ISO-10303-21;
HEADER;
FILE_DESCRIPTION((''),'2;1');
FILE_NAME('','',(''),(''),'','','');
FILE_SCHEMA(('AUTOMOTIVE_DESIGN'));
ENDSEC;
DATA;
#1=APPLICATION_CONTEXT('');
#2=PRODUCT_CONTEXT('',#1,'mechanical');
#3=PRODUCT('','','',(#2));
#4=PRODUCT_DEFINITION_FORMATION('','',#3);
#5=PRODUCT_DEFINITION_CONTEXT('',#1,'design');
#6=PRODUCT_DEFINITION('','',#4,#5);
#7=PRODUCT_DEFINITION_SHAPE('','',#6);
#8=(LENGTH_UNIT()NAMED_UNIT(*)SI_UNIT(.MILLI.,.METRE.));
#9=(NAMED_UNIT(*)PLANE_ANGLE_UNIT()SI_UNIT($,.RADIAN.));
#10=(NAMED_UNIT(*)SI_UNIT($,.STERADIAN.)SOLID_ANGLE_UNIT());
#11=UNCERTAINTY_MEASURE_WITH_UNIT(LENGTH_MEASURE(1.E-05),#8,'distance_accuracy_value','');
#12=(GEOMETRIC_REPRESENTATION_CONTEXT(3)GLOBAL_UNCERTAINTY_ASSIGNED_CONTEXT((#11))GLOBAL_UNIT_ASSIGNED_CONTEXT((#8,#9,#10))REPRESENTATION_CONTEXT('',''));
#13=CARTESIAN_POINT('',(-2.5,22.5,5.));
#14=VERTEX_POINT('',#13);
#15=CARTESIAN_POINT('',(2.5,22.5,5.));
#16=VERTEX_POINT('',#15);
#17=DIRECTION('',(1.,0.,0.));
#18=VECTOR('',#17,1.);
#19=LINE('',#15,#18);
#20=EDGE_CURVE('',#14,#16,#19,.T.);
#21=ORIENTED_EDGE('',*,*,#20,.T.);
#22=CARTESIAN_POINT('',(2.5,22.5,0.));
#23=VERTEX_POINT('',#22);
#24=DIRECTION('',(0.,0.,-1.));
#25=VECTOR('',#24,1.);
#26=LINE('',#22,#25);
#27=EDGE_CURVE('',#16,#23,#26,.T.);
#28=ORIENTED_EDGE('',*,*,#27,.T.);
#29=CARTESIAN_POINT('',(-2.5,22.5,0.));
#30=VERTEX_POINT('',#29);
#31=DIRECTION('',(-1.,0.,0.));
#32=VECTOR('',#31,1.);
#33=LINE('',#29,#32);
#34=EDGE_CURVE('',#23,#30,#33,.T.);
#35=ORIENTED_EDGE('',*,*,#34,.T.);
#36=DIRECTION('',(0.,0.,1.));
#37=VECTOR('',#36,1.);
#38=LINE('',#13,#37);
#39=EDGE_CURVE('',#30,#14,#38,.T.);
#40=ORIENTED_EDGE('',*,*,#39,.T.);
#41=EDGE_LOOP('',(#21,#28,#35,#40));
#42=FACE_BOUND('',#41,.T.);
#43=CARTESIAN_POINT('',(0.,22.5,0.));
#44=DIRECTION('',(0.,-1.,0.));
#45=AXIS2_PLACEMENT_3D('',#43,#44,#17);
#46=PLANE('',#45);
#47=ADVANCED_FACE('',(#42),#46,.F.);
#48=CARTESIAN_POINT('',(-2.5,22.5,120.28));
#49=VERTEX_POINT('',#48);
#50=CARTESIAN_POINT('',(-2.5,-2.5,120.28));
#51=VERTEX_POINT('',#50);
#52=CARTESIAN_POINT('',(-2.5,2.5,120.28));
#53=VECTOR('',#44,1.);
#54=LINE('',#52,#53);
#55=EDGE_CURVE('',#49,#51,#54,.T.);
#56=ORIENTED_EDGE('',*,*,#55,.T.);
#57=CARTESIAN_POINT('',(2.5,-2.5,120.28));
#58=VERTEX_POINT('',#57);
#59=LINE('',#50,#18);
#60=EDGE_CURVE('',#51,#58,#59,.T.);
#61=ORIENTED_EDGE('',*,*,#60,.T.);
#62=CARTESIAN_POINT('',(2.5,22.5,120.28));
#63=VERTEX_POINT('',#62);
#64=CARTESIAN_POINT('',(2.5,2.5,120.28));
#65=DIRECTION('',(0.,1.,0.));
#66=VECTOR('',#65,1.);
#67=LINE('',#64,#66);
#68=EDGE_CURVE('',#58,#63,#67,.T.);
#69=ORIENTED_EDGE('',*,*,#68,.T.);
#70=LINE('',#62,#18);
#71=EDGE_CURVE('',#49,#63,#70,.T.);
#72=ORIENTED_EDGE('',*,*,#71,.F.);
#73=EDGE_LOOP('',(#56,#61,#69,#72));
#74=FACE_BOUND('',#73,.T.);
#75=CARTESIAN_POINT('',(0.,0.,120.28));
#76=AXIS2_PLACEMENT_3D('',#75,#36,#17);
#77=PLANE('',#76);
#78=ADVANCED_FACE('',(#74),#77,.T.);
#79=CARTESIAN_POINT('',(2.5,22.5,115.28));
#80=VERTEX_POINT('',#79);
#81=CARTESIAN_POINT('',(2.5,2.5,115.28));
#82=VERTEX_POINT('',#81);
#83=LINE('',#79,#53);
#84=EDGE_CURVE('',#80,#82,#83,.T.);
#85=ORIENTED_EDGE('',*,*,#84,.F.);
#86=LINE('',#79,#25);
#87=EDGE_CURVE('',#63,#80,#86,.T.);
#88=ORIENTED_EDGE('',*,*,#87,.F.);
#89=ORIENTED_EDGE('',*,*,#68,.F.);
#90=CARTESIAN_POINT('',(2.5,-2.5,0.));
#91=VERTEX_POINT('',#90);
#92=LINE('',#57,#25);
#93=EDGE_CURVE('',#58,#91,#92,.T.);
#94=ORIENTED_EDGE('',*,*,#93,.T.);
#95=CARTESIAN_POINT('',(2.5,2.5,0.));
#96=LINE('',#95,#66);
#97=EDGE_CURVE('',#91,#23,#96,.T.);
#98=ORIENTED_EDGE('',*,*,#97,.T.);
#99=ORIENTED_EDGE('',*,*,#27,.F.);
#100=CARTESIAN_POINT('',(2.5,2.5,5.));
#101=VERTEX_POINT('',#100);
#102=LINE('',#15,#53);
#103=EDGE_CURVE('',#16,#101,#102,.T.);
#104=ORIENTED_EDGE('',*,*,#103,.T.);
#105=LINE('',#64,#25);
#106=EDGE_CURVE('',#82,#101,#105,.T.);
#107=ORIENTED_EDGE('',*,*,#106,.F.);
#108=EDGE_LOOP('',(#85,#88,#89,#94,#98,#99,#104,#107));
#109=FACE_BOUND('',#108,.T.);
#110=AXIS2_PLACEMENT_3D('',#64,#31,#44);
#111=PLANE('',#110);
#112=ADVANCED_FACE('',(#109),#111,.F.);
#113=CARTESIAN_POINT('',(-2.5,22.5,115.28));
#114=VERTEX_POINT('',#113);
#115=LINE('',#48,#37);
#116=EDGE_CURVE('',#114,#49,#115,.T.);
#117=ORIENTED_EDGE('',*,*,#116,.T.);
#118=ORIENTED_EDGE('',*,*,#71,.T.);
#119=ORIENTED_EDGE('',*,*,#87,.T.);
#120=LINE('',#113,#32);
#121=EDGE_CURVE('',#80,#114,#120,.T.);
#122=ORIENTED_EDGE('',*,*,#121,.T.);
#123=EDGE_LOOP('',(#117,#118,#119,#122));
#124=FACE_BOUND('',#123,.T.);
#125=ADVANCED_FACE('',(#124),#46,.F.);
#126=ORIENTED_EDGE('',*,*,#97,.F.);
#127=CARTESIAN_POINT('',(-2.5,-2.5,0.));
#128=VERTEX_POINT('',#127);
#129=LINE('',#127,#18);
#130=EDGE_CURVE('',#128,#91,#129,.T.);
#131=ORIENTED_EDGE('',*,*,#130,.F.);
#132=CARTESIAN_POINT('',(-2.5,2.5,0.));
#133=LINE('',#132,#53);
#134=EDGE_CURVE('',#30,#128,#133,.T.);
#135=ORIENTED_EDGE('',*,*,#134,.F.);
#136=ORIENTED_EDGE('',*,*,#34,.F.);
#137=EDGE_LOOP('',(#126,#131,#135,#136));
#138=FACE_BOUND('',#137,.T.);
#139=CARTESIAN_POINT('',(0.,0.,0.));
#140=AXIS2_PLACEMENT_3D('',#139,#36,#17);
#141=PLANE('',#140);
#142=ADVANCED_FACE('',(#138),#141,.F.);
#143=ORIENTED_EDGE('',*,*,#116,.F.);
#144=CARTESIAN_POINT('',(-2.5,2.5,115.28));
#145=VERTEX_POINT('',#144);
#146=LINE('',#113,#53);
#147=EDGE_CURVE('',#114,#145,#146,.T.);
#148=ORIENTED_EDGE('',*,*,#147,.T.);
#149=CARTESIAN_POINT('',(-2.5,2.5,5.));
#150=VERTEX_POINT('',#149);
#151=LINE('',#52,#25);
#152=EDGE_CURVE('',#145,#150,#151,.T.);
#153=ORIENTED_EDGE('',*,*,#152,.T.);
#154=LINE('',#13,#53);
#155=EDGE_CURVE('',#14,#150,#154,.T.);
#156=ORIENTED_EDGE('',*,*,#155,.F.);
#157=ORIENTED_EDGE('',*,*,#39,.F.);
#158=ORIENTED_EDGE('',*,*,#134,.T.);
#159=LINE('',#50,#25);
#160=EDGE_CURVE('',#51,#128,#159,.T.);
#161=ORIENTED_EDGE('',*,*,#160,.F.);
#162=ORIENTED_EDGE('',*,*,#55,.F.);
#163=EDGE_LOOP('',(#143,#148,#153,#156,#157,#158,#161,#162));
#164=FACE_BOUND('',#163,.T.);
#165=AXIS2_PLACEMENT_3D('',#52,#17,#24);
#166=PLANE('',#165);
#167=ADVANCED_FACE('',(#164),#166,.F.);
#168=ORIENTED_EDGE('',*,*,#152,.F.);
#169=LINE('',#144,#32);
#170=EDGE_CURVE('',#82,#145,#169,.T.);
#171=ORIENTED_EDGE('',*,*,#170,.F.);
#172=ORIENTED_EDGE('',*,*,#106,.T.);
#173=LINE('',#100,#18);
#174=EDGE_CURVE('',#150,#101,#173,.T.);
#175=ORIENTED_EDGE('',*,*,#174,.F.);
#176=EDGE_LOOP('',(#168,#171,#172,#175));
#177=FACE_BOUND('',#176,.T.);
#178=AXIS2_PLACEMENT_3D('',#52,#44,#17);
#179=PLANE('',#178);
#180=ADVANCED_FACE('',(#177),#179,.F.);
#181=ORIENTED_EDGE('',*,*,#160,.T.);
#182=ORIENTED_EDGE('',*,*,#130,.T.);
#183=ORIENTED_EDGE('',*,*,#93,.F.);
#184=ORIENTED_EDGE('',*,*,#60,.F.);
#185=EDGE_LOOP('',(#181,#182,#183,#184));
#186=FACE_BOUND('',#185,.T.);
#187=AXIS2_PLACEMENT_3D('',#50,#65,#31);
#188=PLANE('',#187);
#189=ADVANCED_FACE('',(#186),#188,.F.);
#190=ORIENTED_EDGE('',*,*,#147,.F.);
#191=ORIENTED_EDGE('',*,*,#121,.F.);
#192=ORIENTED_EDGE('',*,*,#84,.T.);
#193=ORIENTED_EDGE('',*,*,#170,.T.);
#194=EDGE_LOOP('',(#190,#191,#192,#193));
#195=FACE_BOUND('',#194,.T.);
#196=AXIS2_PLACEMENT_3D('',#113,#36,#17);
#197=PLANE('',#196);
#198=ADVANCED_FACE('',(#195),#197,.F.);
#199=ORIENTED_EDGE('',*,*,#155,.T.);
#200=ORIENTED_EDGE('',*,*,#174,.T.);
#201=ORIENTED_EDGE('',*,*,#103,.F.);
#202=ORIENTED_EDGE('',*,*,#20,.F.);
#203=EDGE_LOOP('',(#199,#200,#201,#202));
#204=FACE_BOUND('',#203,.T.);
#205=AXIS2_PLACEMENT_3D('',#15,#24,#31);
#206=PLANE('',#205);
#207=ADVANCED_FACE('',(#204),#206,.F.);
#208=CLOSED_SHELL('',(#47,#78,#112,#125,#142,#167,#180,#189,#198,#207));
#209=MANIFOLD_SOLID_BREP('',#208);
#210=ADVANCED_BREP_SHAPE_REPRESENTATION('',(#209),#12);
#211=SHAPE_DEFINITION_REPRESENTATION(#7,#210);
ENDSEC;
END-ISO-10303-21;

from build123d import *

# Parameters (mm, degrees)
ESQUISSE1_W        = 5
ESQUISSE1_H        = 5
BOSS_EXTRU_1_DEPTH = 120.28
ESQUISSE3_W        = 5
ESQUISSE3_H        = 5
BOSS_EXTRU_2_DEPTH = 20


with BuildPart() as part:
    # Esquisse1 → Boss.-Extru.1 (new body)
    with BuildSketch(Plane.XY):
        Rectangle(ESQUISSE1_W, ESQUISSE1_H)
    extrude(amount=BOSS_EXTRU_1_DEPTH)

    # Esquisse3 → Boss.-Extru.2 (add)
    with BuildSketch(Plane(origin=(0, 2.5, 0), x_dir=(1, 0, 0), z_dir=(0, 1, 0))):
        with Locations((0, -2.5)):
            Rectangle(ESQUISSE3_W, ESQUISSE3_H)
        with Locations((0, -117.78)):
            Rectangle(ESQUISSE3_W, ESQUISSE3_H)
    extrude(amount=BOSS_EXTRU_2_DEPTH)


solid = part.part
